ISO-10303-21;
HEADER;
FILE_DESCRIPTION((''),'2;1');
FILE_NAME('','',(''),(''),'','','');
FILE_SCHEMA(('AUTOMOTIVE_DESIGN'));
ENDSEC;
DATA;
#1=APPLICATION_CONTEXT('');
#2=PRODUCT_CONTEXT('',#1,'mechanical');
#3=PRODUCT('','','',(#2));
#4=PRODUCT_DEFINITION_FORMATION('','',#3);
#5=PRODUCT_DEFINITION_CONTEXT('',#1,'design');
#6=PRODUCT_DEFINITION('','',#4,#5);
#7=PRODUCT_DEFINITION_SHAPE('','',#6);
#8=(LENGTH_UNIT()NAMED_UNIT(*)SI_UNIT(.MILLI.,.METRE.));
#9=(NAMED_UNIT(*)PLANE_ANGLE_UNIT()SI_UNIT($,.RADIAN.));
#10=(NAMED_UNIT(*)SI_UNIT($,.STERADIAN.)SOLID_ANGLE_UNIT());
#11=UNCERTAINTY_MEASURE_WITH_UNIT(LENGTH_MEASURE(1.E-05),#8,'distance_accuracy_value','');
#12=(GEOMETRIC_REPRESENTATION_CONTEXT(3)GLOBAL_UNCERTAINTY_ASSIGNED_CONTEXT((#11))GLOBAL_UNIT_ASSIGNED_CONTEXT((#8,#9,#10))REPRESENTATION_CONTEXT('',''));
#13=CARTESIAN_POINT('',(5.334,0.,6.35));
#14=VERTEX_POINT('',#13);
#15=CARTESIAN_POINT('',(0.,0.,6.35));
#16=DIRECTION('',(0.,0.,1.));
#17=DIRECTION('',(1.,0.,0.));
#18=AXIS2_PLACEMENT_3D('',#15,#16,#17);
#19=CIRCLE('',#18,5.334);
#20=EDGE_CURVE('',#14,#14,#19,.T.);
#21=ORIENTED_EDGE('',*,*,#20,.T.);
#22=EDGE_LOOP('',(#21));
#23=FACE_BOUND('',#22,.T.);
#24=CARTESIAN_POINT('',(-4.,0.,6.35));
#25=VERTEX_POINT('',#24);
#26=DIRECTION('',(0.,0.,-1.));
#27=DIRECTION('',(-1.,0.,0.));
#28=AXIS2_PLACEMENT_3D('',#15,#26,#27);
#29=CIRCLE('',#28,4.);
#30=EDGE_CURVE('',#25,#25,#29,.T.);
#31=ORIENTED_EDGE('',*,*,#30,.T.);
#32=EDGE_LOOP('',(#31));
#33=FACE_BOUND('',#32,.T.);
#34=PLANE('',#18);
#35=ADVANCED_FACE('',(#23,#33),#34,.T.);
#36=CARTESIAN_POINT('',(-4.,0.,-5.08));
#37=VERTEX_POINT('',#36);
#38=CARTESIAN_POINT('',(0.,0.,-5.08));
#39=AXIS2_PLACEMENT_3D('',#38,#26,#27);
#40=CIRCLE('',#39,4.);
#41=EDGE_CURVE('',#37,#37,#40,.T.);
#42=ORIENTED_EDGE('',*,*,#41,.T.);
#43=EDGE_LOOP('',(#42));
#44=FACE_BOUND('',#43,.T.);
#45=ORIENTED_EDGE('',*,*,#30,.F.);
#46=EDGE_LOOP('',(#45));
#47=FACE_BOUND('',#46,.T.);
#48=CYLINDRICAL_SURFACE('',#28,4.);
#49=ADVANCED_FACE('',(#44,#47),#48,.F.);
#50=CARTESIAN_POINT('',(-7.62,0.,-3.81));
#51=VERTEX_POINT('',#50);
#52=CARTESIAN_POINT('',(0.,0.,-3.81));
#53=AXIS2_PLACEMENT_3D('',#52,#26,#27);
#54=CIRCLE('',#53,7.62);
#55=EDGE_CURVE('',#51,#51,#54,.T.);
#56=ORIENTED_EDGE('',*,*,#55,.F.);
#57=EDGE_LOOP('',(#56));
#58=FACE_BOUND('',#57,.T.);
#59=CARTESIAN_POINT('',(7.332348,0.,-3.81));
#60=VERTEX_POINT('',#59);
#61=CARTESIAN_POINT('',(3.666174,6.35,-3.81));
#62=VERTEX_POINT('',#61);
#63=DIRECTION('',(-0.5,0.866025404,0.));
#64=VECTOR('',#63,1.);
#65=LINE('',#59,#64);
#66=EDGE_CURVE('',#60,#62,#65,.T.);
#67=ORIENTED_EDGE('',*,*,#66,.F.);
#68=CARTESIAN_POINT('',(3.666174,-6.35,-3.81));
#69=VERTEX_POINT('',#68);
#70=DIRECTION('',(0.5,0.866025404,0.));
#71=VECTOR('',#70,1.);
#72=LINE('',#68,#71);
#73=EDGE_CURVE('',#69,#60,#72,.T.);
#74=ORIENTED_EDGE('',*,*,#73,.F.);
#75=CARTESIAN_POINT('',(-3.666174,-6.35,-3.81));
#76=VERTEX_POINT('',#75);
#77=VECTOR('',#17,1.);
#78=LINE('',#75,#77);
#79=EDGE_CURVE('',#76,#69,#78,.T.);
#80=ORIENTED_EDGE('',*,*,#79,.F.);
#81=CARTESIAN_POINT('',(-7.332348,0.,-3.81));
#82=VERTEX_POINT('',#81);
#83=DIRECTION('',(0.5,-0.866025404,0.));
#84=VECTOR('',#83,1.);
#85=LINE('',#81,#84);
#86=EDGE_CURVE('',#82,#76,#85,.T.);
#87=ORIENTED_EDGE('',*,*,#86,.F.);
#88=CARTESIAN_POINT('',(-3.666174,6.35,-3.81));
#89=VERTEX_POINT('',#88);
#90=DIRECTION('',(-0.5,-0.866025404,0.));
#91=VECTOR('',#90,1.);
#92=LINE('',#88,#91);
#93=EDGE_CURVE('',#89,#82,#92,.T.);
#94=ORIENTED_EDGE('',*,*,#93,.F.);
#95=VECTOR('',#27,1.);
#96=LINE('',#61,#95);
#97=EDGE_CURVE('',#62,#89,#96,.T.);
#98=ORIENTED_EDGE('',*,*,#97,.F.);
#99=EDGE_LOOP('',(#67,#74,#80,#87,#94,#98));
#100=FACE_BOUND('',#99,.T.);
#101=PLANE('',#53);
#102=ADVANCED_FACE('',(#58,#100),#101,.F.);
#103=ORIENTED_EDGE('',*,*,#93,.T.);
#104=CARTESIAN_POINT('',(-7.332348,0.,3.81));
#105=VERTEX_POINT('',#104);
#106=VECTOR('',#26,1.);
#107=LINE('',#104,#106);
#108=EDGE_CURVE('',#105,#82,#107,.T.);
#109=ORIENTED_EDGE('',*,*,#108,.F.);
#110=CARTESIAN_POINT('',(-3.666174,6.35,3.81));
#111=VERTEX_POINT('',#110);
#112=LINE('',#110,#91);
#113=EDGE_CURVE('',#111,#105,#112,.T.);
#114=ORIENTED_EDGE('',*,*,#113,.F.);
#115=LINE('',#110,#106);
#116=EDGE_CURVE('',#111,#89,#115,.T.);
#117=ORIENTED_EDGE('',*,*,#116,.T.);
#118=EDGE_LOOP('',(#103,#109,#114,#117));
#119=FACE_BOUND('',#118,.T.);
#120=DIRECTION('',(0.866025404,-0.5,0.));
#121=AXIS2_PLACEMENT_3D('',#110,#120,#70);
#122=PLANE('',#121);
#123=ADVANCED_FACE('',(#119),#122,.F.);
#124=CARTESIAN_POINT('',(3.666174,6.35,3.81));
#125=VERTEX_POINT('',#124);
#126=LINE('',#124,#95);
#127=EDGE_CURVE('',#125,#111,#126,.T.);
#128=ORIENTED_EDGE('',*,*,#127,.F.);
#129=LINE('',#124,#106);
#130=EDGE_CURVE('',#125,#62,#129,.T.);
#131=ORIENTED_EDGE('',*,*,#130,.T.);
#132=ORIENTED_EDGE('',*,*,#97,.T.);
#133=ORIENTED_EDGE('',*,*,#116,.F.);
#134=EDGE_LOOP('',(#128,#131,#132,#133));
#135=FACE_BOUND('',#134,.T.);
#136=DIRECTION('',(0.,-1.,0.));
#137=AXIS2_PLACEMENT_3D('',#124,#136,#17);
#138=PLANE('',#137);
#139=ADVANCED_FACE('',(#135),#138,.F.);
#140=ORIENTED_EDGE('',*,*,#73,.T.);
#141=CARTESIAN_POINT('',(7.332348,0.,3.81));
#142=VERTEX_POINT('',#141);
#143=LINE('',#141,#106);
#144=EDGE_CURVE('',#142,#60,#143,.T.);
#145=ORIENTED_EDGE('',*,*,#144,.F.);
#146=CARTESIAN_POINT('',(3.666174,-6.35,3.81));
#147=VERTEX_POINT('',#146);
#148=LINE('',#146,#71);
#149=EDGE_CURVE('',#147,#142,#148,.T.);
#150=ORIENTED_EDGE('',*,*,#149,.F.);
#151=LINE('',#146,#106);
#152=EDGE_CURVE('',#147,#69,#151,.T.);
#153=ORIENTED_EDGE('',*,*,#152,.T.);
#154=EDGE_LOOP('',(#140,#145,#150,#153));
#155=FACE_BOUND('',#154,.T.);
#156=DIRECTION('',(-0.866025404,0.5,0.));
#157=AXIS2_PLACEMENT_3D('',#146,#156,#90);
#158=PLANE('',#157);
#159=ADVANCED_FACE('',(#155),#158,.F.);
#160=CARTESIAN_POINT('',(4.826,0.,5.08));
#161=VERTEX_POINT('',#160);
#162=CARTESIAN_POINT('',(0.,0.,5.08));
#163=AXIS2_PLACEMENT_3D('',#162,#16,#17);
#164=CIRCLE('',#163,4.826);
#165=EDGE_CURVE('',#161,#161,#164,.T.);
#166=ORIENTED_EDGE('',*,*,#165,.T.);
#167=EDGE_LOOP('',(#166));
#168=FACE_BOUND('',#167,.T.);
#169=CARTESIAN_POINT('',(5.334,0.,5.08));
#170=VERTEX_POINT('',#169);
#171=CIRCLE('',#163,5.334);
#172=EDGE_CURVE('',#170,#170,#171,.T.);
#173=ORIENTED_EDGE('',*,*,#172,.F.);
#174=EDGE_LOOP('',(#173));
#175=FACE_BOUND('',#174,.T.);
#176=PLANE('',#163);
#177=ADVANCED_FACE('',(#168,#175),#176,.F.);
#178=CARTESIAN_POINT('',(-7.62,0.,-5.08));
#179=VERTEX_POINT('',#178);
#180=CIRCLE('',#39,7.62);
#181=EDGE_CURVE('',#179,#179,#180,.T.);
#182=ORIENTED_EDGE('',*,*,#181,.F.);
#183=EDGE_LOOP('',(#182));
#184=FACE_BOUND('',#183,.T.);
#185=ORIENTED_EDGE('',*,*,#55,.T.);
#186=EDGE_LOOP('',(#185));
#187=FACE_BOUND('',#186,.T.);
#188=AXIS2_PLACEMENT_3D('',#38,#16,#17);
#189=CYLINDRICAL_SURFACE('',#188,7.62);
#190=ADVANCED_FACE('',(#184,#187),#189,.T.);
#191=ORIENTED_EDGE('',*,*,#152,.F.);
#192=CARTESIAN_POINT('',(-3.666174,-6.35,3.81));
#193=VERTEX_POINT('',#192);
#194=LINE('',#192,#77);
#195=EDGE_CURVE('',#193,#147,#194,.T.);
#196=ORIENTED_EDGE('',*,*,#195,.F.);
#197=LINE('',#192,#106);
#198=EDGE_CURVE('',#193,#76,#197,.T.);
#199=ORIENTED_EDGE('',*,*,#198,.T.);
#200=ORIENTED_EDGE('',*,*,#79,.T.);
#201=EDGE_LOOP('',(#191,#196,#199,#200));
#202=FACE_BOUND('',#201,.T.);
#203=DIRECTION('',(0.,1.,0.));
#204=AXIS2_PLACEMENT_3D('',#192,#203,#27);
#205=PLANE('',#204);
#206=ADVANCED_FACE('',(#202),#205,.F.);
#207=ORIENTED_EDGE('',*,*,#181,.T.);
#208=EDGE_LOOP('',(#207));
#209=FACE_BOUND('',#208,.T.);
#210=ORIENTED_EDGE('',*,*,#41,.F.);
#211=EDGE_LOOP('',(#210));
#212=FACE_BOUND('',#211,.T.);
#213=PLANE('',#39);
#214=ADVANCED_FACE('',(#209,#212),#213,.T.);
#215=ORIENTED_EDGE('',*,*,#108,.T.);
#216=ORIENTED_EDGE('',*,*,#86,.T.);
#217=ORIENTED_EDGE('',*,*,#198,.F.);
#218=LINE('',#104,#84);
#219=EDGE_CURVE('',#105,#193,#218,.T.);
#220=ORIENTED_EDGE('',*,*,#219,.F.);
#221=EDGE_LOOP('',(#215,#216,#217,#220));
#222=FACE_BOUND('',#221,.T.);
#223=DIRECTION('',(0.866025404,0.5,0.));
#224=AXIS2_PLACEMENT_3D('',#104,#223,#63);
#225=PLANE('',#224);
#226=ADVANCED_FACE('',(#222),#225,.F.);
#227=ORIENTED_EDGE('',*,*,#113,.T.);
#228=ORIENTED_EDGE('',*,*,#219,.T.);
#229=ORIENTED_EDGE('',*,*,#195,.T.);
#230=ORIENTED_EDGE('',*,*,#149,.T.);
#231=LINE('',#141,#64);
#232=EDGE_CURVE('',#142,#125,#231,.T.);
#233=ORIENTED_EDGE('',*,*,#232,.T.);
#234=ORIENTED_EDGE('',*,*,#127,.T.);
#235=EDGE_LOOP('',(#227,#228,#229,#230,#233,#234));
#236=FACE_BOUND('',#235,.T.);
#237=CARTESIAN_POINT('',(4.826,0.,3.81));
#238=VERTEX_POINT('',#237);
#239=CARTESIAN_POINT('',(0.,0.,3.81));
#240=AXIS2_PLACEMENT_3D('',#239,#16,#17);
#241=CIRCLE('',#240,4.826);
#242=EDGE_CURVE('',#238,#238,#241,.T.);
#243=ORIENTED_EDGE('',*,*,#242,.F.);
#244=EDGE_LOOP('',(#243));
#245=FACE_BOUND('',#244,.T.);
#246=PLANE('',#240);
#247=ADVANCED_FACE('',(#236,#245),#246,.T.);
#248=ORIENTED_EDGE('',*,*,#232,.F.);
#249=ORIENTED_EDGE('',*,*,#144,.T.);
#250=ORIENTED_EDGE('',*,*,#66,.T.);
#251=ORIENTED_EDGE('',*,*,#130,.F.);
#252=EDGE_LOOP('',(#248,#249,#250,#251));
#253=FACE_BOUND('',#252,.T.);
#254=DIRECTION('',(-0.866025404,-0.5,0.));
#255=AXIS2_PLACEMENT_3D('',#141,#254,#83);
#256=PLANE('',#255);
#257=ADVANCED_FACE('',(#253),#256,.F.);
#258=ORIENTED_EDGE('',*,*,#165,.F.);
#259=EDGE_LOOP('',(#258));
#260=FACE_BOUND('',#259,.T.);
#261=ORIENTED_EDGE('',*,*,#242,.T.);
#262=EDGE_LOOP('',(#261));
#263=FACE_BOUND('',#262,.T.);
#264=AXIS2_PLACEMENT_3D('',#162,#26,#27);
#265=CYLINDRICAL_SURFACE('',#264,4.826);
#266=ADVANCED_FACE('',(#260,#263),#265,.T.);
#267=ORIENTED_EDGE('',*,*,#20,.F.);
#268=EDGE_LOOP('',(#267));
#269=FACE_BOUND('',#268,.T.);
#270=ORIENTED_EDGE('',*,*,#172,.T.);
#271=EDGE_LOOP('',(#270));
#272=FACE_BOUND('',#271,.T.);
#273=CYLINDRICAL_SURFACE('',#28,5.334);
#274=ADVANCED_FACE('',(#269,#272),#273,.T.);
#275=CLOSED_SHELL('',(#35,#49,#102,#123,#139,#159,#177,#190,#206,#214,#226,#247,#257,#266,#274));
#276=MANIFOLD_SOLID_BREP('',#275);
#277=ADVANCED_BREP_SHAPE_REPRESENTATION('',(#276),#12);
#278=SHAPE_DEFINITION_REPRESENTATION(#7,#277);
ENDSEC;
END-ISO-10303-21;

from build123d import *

# Parameters (mm, degrees)
BOSS_EXTRU_1_DEPTH      = 3.81
ESQUISSE2_R             = 7.62
BOSS_EXTRU_2_DEPTH      = 1.27
ESQUISSE3_R             = 4.826
BOSS_EXTRU_3_DEPTH      = 1.27
ESQUISSE4_R             = 5.334
BOSS_EXTRU_4_DEPTH      = 1.27
ESQUISSE5_R             = 4
ENL_V_MAT_EXTRU_1_DEPTH = 16.709032434


with BuildPart() as part:
    # Esquisse1 → Boss.-Extru.1 (new, symmetric)
    with BuildSketch(Plane.XY):
        Polygon((7.332348419, 0), (3.666174209, 6.35), (-3.666174209, 6.35), (-7.332348419, 0), (-3.666174209, -6.35), (3.666174209, -6.35), align=None)
    extrude(amount=BOSS_EXTRU_1_DEPTH, both=True)

    # Esquisse2 → Boss.-Extru.2 (add)
    with BuildSketch(Plane(origin=(0, 0, -3.81), x_dir=(-1, 0, 0), z_dir=(0, 0, -1))):
        Circle(ESQUISSE2_R)
    extrude(amount=BOSS_EXTRU_2_DEPTH)

    # Esquisse3 → Boss.-Extru.3 (add)
    with BuildSketch(Plane.XY.offset(3.81)):
        Circle(ESQUISSE3_R)
    extrude(amount=BOSS_EXTRU_3_DEPTH)

    # Esquisse4 → Boss.-Extru.4 (add)
    with BuildSketch(Plane.XY.offset(5.08)):
        Circle(ESQUISSE4_R)
    extrude(amount=BOSS_EXTRU_4_DEPTH)

    # Esquisse5 → Enlèv. mat.-Extru.1 (cut, through all)
    with BuildSketch(Plane(origin=(0, 0, -5.08), x_dir=(-1, 0, 0), z_dir=(0, 0, -1))):
        Circle(ESQUISSE5_R)
    extrude(amount=-ENL_V_MAT_EXTRU_1_DEPTH, mode=Mode.SUBTRACT)


solid = part.part
